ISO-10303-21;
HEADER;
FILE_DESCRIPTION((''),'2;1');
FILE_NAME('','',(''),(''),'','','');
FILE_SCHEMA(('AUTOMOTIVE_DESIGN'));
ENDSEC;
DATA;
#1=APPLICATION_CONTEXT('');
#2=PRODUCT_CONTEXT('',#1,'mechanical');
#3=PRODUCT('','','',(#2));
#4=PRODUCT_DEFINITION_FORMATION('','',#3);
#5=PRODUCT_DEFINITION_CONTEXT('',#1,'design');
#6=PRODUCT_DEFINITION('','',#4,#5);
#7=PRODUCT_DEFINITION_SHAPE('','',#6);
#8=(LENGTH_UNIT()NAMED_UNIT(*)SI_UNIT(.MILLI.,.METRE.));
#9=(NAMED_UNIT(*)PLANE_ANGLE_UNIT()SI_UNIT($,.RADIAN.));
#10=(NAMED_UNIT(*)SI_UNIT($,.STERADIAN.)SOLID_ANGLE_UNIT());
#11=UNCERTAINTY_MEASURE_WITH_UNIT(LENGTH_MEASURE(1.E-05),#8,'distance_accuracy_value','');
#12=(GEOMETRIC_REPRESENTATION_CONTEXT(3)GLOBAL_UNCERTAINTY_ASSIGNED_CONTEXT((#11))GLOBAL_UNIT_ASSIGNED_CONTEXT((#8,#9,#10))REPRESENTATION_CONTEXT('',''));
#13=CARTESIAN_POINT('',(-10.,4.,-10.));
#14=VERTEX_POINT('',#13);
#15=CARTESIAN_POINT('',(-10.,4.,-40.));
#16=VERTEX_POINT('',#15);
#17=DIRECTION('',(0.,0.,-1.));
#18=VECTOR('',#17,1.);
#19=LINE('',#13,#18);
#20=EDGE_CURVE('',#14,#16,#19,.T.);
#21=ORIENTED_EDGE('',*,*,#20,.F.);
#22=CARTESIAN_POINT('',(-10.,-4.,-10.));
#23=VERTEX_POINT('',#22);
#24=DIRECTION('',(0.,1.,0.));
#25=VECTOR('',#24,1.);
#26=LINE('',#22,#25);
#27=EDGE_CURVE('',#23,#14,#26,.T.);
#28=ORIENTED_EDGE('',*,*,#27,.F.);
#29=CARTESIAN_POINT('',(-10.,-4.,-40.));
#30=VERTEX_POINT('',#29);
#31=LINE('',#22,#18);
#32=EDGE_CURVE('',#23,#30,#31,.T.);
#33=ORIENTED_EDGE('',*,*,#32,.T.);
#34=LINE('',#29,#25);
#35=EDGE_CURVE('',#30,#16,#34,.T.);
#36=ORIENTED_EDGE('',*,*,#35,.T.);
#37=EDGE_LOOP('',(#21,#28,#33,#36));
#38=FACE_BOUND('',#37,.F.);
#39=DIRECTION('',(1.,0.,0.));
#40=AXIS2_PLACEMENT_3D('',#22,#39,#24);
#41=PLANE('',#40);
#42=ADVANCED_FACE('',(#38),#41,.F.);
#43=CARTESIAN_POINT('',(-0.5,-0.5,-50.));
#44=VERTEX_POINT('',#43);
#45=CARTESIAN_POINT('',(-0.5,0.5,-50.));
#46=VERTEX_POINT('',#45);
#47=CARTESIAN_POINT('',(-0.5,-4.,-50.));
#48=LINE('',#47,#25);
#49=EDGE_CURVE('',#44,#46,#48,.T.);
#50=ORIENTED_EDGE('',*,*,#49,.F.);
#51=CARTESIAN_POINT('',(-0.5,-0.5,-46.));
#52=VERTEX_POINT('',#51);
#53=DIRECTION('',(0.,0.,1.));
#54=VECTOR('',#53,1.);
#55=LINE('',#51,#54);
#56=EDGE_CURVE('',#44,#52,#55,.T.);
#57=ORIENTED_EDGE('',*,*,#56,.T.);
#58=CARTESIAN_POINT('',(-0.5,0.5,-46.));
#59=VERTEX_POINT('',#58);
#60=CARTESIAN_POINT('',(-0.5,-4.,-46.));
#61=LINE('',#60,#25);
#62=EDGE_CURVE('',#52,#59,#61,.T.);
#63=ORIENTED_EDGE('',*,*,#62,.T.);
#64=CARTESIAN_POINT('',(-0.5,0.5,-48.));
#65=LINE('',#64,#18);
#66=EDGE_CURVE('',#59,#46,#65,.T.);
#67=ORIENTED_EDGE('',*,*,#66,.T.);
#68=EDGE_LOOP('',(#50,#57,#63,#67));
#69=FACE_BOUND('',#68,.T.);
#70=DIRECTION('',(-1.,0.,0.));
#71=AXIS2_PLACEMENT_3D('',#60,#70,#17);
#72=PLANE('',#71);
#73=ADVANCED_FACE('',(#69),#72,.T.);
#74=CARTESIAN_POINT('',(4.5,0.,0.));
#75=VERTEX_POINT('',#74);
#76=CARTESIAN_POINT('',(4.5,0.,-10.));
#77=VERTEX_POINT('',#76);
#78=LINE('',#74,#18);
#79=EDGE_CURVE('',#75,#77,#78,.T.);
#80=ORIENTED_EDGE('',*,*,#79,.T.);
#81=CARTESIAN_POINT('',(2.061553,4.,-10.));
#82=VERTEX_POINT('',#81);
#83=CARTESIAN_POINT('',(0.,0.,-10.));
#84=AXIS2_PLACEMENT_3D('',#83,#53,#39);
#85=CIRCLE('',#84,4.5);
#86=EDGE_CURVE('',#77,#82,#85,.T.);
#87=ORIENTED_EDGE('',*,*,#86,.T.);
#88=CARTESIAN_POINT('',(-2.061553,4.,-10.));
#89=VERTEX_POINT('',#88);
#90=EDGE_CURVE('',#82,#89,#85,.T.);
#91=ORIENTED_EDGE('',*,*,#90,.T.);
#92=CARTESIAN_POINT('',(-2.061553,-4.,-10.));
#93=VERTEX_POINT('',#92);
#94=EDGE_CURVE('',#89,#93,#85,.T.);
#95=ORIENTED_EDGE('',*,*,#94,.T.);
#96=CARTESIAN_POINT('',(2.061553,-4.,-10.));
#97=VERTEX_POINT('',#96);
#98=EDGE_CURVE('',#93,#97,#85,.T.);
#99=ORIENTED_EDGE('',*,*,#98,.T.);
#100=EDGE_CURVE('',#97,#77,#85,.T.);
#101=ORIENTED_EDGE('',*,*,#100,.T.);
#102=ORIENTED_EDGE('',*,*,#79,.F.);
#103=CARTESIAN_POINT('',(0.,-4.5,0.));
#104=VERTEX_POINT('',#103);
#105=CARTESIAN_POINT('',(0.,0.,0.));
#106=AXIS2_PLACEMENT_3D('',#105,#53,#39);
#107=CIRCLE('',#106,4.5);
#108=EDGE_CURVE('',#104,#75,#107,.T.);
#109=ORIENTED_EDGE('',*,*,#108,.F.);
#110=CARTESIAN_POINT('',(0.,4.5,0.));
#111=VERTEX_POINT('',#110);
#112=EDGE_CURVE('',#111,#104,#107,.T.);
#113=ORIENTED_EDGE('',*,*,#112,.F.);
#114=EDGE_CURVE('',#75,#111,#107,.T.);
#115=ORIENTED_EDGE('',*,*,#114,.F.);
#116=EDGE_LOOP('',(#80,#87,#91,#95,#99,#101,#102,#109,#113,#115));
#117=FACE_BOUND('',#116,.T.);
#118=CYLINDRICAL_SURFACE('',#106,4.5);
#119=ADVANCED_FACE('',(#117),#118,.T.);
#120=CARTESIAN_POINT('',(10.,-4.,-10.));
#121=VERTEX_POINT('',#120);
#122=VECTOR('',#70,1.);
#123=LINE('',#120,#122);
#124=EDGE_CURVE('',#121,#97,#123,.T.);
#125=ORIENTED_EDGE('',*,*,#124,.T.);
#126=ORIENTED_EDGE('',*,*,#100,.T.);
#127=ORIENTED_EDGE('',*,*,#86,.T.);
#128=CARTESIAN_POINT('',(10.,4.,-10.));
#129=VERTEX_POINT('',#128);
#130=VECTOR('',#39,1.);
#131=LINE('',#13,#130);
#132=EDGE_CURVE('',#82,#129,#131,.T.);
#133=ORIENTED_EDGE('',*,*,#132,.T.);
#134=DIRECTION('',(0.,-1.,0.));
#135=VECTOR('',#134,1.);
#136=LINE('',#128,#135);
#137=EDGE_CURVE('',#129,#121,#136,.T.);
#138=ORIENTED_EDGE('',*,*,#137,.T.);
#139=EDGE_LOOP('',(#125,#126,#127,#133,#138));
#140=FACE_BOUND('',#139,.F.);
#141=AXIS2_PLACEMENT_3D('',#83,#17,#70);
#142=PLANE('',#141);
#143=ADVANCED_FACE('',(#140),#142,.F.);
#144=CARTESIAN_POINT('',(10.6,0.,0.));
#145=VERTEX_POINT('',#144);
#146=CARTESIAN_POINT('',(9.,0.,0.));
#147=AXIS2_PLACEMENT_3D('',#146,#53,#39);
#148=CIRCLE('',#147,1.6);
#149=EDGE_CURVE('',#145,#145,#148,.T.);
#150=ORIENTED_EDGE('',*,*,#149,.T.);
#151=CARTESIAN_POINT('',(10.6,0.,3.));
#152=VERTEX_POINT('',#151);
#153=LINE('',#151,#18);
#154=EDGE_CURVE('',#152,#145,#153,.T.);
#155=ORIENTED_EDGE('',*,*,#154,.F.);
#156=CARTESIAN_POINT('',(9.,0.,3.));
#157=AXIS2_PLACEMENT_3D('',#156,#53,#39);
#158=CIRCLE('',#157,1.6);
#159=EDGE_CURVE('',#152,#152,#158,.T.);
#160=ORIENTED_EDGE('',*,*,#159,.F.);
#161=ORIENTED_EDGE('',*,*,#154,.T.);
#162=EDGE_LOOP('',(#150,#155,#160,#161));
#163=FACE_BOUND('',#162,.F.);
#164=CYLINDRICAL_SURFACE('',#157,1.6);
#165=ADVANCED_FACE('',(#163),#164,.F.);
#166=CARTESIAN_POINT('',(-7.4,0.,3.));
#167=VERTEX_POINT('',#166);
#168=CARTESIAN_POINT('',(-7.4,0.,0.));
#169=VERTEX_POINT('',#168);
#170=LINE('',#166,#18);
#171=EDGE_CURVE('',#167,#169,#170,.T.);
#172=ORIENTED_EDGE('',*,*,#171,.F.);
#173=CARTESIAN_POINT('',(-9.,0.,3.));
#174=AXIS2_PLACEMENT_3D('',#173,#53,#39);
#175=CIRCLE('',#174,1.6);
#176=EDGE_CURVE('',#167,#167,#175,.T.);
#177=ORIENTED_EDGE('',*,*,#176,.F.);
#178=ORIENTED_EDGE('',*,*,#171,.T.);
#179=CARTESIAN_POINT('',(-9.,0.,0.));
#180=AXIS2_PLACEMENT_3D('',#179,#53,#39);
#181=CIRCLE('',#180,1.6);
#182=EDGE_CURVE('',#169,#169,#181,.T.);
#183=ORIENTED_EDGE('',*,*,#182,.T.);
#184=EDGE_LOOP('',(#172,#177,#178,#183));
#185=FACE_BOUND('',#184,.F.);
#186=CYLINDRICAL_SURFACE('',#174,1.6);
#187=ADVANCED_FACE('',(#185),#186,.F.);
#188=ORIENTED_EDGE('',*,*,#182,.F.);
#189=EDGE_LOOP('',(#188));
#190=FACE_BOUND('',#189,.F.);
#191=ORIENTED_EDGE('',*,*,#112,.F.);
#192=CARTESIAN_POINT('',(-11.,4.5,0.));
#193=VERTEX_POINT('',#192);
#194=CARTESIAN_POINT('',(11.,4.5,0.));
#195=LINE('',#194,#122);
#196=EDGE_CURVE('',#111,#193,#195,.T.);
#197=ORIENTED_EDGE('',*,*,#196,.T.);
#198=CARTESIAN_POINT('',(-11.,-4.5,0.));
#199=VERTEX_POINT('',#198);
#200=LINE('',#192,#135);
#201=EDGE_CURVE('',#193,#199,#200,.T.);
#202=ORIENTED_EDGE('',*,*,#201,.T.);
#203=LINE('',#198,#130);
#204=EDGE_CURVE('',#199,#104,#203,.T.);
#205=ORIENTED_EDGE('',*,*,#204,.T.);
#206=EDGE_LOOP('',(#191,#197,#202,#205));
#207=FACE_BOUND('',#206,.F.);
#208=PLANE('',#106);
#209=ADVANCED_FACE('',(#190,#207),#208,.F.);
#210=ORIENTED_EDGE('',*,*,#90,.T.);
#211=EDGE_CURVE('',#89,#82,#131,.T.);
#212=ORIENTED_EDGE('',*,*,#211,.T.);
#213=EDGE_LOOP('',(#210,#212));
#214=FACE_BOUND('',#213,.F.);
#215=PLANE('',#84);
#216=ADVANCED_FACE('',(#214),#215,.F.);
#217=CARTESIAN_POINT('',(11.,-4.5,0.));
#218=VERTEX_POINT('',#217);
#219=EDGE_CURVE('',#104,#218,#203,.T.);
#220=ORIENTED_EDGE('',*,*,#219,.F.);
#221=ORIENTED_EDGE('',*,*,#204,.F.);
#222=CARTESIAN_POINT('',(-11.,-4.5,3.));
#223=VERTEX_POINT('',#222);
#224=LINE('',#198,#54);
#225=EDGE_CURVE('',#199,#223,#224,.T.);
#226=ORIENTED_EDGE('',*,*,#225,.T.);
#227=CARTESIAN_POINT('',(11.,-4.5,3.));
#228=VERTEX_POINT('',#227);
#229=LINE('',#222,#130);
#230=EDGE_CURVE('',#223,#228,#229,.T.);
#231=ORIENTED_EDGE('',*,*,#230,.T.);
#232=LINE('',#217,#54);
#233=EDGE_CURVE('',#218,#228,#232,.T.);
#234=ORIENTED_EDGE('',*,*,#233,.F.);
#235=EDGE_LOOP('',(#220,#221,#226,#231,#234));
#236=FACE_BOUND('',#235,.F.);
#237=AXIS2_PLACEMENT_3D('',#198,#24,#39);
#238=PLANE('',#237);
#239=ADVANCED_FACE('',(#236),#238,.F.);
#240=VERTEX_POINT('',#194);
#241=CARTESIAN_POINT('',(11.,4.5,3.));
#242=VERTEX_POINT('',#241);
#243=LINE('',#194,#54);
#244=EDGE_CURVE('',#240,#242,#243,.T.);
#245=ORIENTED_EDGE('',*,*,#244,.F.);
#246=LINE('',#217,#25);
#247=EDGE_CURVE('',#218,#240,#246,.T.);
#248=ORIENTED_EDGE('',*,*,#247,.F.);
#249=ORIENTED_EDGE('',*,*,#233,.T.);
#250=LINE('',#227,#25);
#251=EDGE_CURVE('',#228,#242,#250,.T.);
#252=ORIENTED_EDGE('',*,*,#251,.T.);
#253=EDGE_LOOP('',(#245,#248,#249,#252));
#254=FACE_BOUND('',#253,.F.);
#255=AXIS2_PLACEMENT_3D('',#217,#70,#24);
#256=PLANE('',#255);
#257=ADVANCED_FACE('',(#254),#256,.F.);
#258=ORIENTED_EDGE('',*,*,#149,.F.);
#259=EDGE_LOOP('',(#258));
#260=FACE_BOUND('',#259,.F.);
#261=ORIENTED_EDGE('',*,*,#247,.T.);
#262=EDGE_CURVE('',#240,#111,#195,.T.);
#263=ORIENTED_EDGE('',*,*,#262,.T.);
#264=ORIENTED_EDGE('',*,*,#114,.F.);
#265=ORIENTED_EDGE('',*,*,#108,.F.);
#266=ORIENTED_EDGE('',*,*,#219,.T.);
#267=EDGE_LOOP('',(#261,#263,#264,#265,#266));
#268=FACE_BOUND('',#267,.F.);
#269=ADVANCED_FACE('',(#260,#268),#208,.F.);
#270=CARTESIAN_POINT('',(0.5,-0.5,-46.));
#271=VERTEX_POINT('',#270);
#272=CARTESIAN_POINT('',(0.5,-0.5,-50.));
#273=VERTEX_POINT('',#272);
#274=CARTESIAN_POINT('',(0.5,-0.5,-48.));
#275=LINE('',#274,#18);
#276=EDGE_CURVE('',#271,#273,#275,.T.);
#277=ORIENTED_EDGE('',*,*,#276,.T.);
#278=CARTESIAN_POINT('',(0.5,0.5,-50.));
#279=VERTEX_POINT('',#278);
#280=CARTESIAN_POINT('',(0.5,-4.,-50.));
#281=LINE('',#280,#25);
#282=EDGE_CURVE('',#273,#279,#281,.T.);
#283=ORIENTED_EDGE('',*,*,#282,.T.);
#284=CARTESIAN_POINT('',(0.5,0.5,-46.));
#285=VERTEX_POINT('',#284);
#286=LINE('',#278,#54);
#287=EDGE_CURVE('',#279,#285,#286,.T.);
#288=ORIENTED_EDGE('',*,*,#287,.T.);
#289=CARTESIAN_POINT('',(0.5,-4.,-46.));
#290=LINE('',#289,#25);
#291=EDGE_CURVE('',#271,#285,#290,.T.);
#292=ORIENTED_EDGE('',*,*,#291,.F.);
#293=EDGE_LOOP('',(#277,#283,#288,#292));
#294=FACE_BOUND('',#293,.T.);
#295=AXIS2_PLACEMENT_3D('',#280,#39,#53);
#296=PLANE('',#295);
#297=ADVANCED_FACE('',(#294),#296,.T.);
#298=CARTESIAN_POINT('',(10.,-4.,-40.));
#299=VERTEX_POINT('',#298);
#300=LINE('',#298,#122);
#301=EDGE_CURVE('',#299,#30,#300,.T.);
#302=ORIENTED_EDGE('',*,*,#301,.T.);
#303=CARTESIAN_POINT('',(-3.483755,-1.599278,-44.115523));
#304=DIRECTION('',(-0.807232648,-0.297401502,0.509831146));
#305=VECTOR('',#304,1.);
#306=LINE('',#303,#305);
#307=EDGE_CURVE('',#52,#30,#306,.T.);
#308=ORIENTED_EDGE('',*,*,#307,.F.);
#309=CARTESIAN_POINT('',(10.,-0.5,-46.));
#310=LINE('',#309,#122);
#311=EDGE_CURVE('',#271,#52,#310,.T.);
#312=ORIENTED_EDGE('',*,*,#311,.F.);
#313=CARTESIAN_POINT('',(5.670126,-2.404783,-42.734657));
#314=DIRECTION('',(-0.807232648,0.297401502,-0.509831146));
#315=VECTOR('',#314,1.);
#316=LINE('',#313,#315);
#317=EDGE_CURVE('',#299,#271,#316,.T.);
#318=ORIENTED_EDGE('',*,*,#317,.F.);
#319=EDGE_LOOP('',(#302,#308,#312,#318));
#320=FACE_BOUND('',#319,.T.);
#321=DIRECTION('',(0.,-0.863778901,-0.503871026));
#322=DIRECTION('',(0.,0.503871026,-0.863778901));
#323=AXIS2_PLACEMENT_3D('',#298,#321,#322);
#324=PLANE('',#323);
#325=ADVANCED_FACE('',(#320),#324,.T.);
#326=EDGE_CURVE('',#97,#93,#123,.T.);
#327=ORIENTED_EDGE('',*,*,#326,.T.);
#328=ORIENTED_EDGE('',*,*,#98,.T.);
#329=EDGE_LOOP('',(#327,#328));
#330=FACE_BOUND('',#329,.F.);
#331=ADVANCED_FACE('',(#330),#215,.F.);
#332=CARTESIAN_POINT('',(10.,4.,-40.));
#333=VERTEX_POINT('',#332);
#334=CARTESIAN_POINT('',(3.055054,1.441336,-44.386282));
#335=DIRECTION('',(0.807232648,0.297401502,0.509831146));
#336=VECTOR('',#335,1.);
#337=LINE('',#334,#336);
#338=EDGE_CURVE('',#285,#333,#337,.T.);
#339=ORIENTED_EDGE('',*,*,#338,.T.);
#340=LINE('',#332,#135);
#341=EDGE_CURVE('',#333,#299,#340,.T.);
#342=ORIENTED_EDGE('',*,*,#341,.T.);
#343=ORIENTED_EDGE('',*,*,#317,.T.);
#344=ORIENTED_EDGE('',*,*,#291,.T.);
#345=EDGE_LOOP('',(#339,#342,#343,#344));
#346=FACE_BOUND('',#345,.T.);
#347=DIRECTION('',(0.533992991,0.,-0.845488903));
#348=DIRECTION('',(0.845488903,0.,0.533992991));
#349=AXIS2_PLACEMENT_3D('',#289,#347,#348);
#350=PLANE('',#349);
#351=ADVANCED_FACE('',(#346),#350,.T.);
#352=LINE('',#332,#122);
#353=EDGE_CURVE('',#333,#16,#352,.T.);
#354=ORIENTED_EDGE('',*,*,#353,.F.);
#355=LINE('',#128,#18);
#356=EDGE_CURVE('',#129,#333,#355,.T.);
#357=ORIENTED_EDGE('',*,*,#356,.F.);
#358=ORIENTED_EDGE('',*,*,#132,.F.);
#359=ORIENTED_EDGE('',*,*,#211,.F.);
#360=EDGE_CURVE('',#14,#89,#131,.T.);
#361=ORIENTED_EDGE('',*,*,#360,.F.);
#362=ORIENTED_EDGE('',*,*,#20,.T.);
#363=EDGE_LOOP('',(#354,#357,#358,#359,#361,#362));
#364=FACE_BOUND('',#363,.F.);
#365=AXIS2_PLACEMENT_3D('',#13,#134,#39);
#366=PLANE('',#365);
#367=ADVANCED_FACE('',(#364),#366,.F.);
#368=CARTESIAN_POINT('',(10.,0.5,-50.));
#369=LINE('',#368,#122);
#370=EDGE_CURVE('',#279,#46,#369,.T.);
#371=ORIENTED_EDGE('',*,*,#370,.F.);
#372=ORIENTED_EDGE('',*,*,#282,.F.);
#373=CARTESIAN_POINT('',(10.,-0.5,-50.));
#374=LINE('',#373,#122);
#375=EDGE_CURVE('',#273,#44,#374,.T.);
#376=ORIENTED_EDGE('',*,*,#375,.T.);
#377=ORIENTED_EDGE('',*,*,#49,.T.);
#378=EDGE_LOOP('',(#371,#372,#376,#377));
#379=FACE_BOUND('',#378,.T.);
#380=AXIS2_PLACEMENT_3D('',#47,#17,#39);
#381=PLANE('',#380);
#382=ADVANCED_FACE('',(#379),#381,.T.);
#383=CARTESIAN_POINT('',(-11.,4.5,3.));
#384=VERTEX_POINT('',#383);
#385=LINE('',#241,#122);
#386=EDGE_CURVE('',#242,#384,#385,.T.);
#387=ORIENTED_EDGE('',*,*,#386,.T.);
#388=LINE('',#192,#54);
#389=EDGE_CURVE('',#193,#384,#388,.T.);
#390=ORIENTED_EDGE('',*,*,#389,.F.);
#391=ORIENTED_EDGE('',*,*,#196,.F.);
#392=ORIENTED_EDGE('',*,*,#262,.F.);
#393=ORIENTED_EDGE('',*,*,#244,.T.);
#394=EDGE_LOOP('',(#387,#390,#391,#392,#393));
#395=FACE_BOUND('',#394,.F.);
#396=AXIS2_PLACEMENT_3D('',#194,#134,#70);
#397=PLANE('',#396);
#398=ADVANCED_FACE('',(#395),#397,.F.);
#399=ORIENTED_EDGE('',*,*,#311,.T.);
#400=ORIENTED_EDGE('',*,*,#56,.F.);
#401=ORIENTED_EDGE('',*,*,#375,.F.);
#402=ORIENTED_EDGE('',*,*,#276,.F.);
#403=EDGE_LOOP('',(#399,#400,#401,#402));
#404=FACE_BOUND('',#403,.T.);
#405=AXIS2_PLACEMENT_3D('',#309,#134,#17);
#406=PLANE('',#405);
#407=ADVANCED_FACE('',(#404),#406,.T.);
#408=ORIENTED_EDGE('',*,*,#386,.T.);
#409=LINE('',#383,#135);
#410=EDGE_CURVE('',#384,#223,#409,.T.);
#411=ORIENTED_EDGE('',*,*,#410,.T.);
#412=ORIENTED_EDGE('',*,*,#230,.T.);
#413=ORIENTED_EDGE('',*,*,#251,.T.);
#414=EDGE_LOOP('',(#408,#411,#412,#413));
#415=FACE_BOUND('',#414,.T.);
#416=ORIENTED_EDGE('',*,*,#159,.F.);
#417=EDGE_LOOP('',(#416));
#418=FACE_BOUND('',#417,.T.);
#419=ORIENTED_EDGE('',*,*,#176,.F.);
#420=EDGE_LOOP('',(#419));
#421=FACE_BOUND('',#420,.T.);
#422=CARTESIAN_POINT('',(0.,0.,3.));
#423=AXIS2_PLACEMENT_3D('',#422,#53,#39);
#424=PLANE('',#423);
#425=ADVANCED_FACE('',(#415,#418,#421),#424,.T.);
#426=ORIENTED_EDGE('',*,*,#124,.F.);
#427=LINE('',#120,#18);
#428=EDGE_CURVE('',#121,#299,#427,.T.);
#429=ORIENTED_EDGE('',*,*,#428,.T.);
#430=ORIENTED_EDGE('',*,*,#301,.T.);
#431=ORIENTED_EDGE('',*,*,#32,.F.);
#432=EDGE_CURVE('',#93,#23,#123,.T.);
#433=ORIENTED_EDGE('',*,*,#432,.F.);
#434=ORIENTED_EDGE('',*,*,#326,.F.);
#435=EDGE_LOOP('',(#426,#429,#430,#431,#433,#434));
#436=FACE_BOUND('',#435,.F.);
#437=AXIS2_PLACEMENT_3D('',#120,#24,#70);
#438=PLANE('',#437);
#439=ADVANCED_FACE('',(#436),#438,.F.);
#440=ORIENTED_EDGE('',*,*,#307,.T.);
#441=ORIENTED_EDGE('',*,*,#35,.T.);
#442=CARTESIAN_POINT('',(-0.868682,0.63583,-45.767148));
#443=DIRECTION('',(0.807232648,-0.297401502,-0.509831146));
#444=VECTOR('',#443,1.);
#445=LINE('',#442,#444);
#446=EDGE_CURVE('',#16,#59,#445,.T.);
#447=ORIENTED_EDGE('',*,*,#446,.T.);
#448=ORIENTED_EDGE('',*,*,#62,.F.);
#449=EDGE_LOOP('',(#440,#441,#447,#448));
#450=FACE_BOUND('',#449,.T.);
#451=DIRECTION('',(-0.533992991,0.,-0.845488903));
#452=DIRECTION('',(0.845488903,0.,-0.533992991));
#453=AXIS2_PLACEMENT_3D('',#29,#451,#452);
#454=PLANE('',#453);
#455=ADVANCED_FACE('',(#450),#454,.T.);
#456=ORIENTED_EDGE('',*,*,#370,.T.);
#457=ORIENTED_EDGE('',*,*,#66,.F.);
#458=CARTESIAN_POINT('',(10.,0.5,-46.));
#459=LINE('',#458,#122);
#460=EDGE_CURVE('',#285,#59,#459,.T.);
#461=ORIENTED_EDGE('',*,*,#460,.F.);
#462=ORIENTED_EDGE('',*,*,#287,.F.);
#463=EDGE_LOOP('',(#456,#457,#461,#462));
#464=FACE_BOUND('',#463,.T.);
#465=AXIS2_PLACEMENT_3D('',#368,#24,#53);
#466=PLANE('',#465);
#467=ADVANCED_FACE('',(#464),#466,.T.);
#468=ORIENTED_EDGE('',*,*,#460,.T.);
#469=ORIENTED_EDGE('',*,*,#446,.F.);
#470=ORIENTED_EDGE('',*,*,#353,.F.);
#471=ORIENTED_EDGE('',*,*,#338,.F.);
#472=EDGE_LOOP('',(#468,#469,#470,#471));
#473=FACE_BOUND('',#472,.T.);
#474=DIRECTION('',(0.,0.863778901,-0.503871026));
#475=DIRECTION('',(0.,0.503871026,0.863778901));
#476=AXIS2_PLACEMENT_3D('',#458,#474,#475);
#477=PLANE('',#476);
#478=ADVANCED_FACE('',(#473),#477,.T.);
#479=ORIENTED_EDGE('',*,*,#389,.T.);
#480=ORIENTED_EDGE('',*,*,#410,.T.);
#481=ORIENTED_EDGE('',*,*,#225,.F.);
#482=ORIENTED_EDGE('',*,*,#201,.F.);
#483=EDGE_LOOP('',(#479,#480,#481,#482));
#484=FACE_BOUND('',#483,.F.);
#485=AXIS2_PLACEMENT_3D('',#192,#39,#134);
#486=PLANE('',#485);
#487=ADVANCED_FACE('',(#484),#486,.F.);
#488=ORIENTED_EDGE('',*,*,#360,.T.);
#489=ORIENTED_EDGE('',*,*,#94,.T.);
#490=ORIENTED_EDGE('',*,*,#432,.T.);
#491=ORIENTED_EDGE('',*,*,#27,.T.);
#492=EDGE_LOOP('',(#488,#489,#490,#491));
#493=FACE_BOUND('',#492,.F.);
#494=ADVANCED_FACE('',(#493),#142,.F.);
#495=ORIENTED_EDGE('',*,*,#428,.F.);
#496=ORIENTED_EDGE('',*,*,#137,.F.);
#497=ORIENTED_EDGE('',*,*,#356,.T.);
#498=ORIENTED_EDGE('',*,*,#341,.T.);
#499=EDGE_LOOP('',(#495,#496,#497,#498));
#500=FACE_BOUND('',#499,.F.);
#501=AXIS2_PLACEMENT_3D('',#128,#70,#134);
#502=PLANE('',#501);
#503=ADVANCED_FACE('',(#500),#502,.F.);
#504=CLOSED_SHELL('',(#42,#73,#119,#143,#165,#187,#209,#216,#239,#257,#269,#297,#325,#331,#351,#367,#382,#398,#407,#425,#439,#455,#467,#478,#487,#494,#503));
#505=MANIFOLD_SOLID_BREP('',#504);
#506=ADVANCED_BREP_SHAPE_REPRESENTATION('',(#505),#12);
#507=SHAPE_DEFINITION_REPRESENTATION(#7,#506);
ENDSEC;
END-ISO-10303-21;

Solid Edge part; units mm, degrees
sketch "Sketch1" plane through (0, 0, 0) normal (0, 0, 1) x (1, 0, 0)
  circle A0 centre (0, 0) radius 4.5
  dimension "D1" = 9
extrude "Protrusion1" add sketch "Sketch1" against normal blind 10
sketch "Sketch2" plane through (0, 0, 0) normal (0, 0, 1) x (1, 0, 0)
  line L0 (-11, -4.5) -> (11, -4.5)
  line L1 (11, -4.5) -> (11, 4.5)
  line L2 (11, 4.5) -> (-11, 4.5)
  line L3 (-11, 4.5) -> (-11, -4.5)
  dimension "D1" = 22
  dimension "D2" = 9
extrude "Extrusionsausprägung_2" add sketch "Sketch2" along normal blind 3
sketch "Sketch3" plane through (0, 0, 3) normal (0, 0, 1) x (1, 0, 0)
  circle A0 centre (-9, 0) radius 1.6
  circle A1 centre (9, 0) radius 1.6
  dimension "D1" = 18
  dimension "D2" = 3.2
extrude "Cutout1" cut sketch "Sketch3" against normal through all
sketch "Sketch4" plane through (0, 0, -10) normal (0, 0, -1) x (1, 0, 0)
  line L0 (-10, -4) -> (10, -4)
  line L1 (10, -4) -> (10, 4)
  line L2 (10, 4) -> (-10, 4)
  line L3 (-10, 4) -> (-10, -4)
  dimension "D1" = 20
  dimension "D2" = 8
extrude "Extrusionsausprägung_3" add sketch "Sketch4" along normal blind 30
sketch "Sketch5" plane through (0, -4, -25) normal (0, -1, 0) x (1, 0, 0)
  line L0 (-10, -15) -> (-0.5, -21)
  line L1 (-0.5, -21) -> (-0.5, -25)
  line L2 (-0.5, -25) -> (0.5, -25)
  line L3 (0.5, -25) -> (0.5, -21)
  line L4 (0.5, -21) -> (10, -15)
  line L5 (10, -15) -> (-10, -15)
  dimension "D1" = 1
  dimension "D2" = 10
  dimension "D3" = 4
extrude "Protrusion2" add sketch "Sketch5" against normal up to vertex (8 mm away)
sketch "Sketch6" plane through (10, 0, -25) normal (1, 0, 0) x (0, 1, 0)
  line L0 (-4, -15) -> (-0.5, -21)
  line L1 (-0.5, -21) -> (-0.5, -25)
  line L2 (-0.5, -25) -> (0.5, -25)
  line L3 (0.5, -25) -> (0.5, -21)
  line L4 (0.5, -21) -> (4, -15)
  dimension "D1" = 1
extrude "Cutout2" cut sketch "Sketch6" against normal through all material side at (10, -2.2932, -43.0252)
properties part number "A7.E1"
